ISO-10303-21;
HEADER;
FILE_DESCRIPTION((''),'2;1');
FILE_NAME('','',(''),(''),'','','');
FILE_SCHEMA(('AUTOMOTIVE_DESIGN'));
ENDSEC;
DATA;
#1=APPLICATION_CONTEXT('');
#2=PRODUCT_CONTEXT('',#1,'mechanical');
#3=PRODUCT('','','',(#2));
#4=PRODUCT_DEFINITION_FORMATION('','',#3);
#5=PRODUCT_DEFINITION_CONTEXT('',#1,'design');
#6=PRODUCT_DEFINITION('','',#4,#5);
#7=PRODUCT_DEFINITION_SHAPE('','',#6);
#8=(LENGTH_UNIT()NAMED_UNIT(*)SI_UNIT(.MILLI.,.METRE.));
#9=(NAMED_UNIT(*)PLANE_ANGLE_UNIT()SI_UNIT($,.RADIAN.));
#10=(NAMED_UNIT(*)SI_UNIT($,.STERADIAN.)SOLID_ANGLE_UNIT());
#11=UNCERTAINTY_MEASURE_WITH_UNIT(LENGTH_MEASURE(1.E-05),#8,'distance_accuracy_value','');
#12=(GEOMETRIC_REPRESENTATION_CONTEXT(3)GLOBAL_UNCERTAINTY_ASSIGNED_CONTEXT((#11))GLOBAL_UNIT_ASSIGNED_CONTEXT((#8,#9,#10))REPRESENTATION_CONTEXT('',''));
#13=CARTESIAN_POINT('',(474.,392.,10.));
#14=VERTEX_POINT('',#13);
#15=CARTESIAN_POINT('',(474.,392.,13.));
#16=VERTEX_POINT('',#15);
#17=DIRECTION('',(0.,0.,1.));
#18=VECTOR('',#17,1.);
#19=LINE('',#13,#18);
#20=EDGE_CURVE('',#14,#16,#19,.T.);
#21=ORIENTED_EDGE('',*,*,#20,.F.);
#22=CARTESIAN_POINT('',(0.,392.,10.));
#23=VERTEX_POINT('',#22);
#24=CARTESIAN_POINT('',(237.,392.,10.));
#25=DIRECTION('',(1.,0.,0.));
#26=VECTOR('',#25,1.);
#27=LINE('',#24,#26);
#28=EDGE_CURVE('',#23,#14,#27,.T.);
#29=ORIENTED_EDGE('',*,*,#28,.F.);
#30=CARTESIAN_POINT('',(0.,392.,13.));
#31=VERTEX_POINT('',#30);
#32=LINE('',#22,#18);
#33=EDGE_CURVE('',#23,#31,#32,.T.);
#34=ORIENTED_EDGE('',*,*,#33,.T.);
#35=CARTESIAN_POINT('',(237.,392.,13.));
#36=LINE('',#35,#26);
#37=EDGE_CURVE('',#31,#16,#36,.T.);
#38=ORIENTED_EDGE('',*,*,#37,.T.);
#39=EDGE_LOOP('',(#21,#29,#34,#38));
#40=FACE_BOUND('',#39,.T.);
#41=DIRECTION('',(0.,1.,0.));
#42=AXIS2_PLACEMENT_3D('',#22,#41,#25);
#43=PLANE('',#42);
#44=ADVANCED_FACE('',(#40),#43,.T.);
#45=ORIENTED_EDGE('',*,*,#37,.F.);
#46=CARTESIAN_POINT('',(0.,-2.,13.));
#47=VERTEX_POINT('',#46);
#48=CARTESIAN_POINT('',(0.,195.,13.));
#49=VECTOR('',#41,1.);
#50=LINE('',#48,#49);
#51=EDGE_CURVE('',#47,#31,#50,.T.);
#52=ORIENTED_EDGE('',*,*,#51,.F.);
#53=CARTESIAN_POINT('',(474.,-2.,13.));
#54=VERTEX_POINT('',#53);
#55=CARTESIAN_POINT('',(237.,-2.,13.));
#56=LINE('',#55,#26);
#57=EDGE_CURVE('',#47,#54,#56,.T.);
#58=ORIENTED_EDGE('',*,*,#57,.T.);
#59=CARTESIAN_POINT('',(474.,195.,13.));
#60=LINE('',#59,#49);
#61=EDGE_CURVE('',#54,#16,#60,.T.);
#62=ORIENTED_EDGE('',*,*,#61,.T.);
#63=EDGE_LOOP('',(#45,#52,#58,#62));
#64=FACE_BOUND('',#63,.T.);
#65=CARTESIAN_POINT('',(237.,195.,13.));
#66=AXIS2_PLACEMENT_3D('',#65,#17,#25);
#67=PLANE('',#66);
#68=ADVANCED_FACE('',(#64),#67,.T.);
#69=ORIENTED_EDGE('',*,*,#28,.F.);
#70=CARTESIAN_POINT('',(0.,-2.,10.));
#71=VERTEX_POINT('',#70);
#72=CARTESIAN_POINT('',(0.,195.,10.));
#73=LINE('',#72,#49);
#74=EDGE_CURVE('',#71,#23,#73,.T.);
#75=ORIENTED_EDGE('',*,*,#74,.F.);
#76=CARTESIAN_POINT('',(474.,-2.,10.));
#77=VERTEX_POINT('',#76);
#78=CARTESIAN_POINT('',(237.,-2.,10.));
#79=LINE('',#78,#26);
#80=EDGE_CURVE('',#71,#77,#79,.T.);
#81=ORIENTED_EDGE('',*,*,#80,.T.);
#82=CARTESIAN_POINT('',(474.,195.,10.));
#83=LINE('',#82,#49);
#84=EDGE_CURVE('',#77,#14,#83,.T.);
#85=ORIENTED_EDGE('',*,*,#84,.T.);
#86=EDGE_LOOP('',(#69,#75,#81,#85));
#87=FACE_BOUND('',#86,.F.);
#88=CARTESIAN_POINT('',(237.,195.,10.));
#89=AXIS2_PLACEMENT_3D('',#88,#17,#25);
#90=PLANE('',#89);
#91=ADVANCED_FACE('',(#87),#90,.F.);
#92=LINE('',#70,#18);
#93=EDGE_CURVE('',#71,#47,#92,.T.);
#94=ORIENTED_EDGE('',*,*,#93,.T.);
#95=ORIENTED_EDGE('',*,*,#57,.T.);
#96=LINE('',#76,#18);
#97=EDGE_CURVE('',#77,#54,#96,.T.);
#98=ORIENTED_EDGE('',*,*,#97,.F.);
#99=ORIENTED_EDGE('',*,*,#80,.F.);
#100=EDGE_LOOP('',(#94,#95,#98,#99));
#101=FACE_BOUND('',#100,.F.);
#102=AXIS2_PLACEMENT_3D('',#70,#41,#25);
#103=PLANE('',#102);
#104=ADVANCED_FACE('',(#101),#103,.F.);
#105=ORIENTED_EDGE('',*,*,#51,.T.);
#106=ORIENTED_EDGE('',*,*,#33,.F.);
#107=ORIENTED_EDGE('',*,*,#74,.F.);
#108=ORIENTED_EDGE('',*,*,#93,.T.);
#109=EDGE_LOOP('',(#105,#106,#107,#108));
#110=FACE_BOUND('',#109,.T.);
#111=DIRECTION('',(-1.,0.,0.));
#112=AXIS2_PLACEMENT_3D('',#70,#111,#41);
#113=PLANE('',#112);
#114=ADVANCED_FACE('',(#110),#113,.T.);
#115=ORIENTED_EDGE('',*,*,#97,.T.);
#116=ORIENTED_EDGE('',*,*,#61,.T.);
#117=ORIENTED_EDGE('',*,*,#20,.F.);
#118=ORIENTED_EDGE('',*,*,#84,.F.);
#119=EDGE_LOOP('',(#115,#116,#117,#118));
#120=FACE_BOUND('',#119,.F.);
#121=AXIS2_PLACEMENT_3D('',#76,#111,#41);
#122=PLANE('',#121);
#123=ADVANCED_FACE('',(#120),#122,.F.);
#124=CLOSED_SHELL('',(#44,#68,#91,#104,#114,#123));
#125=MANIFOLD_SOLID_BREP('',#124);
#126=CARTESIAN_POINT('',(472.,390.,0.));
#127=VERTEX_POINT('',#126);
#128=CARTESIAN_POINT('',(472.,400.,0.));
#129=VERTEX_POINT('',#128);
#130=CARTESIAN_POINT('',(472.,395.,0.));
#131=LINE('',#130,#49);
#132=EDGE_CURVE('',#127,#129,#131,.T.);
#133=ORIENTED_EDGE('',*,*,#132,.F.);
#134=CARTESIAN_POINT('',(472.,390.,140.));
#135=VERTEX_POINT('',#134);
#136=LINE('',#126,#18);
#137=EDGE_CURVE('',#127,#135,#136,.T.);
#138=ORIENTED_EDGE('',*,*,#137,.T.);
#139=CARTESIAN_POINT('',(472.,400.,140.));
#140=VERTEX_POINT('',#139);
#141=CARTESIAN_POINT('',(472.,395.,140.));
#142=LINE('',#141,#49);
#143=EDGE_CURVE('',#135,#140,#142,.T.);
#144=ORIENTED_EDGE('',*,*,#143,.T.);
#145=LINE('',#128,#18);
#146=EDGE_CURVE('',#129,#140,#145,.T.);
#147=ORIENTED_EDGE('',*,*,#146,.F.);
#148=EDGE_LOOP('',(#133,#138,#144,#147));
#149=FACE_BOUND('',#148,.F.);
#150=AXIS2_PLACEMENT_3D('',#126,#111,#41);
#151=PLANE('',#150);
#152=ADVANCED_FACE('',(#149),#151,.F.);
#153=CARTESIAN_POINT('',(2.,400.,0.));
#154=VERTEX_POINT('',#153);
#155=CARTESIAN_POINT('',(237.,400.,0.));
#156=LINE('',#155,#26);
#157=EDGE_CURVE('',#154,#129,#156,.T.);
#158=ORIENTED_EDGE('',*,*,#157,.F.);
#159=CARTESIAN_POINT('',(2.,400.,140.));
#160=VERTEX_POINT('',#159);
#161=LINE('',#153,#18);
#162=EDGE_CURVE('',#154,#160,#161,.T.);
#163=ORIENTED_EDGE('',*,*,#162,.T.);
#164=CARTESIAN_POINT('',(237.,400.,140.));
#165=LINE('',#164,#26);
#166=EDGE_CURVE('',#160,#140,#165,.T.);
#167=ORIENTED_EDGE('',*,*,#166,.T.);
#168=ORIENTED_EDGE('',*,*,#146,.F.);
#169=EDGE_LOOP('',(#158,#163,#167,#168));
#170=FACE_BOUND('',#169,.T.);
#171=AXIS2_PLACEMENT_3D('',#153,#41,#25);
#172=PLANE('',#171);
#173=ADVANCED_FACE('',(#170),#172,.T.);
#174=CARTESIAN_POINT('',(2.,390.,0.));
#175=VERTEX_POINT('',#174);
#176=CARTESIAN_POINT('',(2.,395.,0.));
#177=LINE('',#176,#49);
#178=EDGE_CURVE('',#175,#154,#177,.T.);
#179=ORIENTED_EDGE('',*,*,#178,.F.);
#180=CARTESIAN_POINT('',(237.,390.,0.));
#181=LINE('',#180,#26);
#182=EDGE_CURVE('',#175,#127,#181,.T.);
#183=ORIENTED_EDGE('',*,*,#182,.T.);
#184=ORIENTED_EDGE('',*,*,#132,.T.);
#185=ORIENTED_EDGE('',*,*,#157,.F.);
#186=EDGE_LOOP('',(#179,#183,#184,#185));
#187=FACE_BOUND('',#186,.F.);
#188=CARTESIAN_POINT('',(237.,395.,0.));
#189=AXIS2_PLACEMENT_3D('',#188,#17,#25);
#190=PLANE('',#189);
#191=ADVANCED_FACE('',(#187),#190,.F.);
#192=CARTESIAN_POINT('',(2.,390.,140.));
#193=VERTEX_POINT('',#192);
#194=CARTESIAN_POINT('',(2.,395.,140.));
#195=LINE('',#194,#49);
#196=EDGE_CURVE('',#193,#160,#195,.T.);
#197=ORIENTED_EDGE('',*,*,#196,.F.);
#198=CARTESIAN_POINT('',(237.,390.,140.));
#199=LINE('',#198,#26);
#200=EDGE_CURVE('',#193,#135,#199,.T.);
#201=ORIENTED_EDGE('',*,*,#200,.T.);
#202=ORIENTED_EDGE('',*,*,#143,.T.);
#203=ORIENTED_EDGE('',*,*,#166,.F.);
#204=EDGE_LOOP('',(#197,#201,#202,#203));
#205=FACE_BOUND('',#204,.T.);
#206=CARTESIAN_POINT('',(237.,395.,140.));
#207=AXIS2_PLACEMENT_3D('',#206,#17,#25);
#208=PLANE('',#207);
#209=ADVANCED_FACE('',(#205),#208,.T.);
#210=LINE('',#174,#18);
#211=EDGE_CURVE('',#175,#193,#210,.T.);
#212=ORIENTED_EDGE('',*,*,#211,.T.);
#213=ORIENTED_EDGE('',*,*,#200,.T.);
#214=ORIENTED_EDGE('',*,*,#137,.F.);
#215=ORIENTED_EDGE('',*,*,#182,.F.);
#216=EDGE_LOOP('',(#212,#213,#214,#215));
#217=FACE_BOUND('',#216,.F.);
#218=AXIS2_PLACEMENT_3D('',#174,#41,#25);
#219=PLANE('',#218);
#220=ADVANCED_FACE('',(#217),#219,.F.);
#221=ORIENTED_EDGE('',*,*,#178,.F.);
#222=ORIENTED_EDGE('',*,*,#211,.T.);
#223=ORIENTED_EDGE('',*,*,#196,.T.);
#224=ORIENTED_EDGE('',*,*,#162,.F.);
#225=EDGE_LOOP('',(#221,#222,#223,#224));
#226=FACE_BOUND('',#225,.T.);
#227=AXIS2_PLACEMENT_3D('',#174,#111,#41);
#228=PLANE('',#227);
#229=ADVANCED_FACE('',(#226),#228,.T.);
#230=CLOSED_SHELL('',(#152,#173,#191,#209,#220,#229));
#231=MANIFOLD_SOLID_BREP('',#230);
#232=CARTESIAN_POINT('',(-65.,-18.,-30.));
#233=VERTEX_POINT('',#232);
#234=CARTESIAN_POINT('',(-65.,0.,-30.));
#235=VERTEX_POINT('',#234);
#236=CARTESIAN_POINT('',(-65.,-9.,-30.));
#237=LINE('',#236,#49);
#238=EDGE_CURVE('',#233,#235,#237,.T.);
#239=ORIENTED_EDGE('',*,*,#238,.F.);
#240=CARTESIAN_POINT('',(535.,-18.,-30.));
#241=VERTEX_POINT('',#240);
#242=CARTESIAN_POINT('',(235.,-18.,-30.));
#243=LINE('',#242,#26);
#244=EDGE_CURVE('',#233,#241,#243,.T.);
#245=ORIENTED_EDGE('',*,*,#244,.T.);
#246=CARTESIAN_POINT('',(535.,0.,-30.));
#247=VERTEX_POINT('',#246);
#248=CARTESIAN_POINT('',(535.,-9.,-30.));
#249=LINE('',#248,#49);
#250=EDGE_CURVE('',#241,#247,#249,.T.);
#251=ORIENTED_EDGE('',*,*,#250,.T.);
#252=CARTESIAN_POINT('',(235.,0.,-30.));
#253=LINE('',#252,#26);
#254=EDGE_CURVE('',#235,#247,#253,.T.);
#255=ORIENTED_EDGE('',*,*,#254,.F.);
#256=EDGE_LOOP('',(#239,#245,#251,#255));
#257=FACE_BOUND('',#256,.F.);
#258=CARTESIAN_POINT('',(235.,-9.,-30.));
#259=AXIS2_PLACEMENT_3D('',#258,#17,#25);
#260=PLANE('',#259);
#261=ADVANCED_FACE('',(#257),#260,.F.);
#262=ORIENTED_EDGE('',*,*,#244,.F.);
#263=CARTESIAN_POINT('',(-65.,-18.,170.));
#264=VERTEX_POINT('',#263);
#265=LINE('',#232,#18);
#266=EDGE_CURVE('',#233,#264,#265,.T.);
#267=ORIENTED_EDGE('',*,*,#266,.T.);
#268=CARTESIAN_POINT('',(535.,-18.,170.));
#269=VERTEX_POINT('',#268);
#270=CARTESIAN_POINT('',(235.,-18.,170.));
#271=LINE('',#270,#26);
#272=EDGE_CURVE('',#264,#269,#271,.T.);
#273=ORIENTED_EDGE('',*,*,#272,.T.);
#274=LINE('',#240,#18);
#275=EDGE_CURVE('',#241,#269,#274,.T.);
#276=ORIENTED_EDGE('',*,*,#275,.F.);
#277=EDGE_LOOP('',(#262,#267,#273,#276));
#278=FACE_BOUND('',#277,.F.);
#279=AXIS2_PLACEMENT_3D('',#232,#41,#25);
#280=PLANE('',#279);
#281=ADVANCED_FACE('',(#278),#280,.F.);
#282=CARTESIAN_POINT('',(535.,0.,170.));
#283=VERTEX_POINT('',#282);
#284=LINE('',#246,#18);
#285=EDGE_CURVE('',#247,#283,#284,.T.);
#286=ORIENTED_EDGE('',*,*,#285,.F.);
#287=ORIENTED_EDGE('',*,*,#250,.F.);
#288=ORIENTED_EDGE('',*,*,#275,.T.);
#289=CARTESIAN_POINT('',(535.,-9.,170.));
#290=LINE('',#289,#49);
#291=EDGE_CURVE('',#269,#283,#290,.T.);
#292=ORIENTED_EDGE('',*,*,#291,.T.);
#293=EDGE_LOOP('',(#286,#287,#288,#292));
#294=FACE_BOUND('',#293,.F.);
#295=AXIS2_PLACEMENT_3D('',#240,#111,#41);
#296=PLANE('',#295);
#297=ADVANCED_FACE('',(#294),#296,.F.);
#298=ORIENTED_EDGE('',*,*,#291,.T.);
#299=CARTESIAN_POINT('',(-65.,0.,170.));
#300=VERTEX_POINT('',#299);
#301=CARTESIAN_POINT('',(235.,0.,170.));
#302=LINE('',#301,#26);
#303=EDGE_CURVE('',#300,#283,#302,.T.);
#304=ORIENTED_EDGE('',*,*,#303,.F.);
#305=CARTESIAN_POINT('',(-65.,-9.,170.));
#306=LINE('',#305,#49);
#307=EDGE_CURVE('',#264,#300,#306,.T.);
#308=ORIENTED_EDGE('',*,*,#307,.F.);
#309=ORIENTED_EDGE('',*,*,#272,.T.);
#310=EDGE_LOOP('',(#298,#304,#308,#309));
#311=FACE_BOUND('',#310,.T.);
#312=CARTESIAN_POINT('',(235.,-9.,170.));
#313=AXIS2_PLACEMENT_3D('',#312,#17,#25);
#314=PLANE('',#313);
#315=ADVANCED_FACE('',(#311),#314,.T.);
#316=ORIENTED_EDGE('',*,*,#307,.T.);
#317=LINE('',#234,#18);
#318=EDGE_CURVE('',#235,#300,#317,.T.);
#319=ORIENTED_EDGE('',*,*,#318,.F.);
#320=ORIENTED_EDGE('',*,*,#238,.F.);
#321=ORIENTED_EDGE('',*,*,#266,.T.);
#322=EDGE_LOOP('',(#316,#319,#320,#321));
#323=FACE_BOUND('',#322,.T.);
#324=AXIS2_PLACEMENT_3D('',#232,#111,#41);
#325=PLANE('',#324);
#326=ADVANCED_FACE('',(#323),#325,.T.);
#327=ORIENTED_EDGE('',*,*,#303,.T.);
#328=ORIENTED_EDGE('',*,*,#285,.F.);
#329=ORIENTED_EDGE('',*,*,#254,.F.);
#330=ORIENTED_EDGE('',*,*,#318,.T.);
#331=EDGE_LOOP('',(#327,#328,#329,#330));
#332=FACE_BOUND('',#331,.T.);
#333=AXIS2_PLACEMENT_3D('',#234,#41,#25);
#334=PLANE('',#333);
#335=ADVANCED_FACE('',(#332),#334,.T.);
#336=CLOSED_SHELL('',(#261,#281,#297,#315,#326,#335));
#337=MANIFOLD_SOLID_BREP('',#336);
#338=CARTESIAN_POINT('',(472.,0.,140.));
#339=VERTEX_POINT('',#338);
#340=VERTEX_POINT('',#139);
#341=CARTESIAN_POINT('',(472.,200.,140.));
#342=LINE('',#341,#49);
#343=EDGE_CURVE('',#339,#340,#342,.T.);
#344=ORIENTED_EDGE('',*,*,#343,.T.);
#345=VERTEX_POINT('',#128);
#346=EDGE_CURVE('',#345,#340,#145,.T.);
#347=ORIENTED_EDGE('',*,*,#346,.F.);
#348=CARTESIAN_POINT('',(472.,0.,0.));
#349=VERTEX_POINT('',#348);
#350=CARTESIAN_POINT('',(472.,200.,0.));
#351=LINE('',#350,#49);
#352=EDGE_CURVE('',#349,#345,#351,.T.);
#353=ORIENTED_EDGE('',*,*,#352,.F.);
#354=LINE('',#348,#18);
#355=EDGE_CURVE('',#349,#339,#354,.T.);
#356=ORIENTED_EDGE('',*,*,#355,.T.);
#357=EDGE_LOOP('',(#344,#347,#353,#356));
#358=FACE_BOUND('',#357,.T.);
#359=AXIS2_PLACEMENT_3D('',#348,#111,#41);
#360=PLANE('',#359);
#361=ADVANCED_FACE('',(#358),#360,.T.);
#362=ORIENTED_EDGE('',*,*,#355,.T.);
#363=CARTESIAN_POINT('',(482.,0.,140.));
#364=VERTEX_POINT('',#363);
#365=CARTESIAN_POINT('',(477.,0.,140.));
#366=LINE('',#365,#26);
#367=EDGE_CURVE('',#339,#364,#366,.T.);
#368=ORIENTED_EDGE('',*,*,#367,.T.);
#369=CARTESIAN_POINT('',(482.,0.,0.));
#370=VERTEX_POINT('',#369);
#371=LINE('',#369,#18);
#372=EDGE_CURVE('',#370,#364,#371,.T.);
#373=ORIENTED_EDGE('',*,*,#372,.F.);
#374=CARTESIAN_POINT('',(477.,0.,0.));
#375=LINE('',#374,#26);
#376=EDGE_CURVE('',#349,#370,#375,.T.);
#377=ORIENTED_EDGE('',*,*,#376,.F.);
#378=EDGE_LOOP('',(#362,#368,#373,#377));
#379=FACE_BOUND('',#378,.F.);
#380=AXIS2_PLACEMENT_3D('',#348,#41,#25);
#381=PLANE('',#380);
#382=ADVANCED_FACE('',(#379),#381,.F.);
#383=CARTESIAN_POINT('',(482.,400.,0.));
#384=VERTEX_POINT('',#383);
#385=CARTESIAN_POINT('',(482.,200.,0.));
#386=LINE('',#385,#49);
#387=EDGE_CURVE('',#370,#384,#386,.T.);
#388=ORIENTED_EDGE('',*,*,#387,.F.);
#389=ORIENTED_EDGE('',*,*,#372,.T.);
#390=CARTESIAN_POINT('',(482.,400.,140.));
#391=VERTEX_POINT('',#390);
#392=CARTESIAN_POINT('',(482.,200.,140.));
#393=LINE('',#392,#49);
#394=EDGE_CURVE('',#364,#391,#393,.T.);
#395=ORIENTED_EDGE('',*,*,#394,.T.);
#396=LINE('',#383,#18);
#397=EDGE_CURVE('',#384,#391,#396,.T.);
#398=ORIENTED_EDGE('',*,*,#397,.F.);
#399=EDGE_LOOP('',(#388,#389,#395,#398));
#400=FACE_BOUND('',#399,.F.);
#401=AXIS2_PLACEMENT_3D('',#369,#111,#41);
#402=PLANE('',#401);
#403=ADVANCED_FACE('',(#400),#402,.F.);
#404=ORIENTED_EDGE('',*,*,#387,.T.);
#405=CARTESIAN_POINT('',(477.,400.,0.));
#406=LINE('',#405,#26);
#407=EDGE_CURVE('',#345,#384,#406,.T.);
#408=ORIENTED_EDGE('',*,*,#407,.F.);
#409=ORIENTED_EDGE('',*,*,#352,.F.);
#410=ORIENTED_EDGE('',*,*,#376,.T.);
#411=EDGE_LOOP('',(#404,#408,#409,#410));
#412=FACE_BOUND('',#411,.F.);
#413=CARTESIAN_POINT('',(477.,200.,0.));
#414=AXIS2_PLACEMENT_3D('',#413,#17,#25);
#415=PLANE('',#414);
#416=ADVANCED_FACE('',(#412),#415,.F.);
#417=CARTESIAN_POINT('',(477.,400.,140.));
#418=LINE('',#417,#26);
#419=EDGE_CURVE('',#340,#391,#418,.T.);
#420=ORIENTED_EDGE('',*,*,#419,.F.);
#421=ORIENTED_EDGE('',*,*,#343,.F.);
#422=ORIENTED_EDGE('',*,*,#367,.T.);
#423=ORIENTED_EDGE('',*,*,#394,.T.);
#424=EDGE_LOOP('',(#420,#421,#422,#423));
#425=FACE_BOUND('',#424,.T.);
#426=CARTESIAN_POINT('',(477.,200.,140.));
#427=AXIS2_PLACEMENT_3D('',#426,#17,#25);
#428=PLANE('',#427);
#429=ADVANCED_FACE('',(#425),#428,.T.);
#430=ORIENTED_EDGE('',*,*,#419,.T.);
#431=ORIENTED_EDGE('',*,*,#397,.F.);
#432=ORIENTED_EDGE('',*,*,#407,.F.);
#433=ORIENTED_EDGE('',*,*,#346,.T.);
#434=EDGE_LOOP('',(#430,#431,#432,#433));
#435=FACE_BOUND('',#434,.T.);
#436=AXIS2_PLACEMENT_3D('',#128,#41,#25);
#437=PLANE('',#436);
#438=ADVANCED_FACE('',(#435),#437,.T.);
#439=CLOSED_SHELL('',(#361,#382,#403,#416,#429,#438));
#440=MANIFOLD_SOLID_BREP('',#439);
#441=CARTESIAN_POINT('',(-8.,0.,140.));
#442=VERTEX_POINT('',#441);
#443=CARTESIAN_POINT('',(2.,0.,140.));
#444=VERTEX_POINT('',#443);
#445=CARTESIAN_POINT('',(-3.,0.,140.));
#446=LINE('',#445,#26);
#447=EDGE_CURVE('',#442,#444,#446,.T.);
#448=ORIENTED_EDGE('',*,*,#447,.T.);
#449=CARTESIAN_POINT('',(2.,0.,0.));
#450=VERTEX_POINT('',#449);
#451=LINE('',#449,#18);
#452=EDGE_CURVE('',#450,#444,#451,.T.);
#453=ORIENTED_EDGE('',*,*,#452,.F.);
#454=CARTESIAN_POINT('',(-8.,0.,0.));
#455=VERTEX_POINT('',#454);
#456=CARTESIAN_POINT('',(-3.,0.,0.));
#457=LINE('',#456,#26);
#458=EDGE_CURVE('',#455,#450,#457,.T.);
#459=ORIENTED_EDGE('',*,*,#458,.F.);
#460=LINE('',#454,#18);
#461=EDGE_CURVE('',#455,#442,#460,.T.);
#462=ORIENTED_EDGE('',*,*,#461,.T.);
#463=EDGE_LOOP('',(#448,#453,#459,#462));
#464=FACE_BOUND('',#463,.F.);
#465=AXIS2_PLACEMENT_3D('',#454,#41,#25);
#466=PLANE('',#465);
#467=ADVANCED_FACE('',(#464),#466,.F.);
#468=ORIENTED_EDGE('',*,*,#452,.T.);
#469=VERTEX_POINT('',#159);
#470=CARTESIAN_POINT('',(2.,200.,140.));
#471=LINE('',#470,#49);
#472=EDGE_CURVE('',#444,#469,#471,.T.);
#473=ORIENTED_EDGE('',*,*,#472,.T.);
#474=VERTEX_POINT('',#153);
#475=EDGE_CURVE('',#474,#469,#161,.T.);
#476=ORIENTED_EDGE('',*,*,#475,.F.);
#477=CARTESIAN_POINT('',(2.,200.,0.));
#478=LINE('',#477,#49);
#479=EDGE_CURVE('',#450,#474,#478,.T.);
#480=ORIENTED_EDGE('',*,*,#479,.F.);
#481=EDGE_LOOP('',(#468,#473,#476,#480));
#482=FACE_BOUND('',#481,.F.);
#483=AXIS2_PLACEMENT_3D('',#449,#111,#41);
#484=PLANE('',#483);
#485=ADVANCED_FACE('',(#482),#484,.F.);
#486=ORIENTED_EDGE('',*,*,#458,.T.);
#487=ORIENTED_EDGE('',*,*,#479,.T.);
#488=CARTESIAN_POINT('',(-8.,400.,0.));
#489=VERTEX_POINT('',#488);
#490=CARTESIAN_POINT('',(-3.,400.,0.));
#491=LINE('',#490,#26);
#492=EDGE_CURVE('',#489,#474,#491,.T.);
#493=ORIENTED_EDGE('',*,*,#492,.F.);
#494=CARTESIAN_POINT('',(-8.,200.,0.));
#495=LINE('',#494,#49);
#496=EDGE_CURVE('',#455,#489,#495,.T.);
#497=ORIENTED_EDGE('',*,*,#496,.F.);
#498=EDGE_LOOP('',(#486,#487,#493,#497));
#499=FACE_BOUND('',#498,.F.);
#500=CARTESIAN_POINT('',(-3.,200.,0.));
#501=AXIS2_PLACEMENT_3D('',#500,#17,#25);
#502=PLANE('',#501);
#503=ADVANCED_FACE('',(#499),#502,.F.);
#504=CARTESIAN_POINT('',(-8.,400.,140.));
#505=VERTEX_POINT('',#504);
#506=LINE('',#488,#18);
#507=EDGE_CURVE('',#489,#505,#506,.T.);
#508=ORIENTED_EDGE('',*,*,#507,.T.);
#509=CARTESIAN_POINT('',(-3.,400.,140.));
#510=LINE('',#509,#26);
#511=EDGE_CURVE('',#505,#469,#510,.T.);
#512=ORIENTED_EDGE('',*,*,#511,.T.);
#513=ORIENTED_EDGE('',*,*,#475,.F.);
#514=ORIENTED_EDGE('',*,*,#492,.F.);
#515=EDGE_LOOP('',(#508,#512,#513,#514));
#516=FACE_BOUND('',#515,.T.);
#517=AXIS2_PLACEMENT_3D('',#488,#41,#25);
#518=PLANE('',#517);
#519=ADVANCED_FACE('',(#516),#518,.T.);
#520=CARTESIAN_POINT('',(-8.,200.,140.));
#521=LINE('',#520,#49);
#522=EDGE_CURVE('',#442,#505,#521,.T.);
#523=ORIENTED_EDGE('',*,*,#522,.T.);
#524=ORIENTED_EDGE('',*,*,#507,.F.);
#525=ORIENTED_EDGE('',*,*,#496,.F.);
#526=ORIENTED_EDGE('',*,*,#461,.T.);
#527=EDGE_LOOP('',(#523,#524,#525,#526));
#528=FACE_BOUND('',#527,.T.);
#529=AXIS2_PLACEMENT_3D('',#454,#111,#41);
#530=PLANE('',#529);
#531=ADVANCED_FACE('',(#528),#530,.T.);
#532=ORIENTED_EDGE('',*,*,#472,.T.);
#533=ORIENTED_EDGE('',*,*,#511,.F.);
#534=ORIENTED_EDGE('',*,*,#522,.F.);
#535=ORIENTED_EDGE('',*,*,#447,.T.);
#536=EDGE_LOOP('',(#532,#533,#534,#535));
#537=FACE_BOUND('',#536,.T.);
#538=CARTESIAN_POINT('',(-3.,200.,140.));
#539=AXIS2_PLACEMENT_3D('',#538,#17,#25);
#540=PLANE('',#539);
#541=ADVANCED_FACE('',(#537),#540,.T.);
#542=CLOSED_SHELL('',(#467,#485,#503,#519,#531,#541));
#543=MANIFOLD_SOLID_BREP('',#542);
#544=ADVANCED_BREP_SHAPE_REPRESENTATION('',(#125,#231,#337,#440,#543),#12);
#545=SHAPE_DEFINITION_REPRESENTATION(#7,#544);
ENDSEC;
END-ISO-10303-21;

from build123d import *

# Parameters (mm, degrees)
BOX_W        = 474
BOX_H        = 394
BOX_DEPTH    = 3
BOX001_W     = 10
BOX001_H     = 400
BOX001_DEPTH = 140
BOX002_W     = 10
BOX002_H     = 400
BOX002_DEPTH = 140
BOX003_W     = 470
BOX003_H     = 10
BOX003_DEPTH = 140
BOX004_W     = 600
BOX004_H     = 18
BOX004_DEPTH = 200


with BuildPart() as bottom:
    # Box → Box (new body)
    with BuildSketch(Plane(origin=(0, -2, 10), x_dir=(1, 0, 0), z_dir=(0, 0, 1))):
        with Locations((237, 197)):
            Rectangle(BOX_W, BOX_H)
    extrude(amount=BOX_DEPTH)


with BuildPart() as left:
    # Box001 → Box001 (new body)
    with BuildSketch(Plane(origin=(-8, 0, 0), x_dir=(1, 0, 0), z_dir=(0, 0, 1))):
        with Locations((5, 200)):
            Rectangle(BOX001_W, BOX001_H)
    extrude(amount=BOX001_DEPTH)


with BuildPart() as right:
    # Box002 → Box002 (new body)
    with BuildSketch(Plane(origin=(472, 0, 0), x_dir=(1, 0, 0), z_dir=(0, 0, 1))):
        with Locations((5, 200)):
            Rectangle(BOX002_W, BOX002_H)
    extrude(amount=BOX002_DEPTH)


with BuildPart() as back:
    # Box003 → Box003 (new body)
    with BuildSketch(Plane(origin=(2, 390, 0), x_dir=(1, 0, 0), z_dir=(0, 0, 1))):
        with Locations((235, 5)):
            Rectangle(BOX003_W, BOX003_H)
    extrude(amount=BOX003_DEPTH)


with BuildPart() as front:
    # Box004 → Box004 (new body)
    with BuildSketch(Plane(origin=(-65, -18, -30), x_dir=(1, 0, 0), z_dir=(0, 0, 1))):
        with Locations((300, 9)):
            Rectangle(BOX004_W, BOX004_H)
    extrude(amount=BOX004_DEPTH)


solid = Compound([bottom.part, left.part, right.part, back.part, front.part])
